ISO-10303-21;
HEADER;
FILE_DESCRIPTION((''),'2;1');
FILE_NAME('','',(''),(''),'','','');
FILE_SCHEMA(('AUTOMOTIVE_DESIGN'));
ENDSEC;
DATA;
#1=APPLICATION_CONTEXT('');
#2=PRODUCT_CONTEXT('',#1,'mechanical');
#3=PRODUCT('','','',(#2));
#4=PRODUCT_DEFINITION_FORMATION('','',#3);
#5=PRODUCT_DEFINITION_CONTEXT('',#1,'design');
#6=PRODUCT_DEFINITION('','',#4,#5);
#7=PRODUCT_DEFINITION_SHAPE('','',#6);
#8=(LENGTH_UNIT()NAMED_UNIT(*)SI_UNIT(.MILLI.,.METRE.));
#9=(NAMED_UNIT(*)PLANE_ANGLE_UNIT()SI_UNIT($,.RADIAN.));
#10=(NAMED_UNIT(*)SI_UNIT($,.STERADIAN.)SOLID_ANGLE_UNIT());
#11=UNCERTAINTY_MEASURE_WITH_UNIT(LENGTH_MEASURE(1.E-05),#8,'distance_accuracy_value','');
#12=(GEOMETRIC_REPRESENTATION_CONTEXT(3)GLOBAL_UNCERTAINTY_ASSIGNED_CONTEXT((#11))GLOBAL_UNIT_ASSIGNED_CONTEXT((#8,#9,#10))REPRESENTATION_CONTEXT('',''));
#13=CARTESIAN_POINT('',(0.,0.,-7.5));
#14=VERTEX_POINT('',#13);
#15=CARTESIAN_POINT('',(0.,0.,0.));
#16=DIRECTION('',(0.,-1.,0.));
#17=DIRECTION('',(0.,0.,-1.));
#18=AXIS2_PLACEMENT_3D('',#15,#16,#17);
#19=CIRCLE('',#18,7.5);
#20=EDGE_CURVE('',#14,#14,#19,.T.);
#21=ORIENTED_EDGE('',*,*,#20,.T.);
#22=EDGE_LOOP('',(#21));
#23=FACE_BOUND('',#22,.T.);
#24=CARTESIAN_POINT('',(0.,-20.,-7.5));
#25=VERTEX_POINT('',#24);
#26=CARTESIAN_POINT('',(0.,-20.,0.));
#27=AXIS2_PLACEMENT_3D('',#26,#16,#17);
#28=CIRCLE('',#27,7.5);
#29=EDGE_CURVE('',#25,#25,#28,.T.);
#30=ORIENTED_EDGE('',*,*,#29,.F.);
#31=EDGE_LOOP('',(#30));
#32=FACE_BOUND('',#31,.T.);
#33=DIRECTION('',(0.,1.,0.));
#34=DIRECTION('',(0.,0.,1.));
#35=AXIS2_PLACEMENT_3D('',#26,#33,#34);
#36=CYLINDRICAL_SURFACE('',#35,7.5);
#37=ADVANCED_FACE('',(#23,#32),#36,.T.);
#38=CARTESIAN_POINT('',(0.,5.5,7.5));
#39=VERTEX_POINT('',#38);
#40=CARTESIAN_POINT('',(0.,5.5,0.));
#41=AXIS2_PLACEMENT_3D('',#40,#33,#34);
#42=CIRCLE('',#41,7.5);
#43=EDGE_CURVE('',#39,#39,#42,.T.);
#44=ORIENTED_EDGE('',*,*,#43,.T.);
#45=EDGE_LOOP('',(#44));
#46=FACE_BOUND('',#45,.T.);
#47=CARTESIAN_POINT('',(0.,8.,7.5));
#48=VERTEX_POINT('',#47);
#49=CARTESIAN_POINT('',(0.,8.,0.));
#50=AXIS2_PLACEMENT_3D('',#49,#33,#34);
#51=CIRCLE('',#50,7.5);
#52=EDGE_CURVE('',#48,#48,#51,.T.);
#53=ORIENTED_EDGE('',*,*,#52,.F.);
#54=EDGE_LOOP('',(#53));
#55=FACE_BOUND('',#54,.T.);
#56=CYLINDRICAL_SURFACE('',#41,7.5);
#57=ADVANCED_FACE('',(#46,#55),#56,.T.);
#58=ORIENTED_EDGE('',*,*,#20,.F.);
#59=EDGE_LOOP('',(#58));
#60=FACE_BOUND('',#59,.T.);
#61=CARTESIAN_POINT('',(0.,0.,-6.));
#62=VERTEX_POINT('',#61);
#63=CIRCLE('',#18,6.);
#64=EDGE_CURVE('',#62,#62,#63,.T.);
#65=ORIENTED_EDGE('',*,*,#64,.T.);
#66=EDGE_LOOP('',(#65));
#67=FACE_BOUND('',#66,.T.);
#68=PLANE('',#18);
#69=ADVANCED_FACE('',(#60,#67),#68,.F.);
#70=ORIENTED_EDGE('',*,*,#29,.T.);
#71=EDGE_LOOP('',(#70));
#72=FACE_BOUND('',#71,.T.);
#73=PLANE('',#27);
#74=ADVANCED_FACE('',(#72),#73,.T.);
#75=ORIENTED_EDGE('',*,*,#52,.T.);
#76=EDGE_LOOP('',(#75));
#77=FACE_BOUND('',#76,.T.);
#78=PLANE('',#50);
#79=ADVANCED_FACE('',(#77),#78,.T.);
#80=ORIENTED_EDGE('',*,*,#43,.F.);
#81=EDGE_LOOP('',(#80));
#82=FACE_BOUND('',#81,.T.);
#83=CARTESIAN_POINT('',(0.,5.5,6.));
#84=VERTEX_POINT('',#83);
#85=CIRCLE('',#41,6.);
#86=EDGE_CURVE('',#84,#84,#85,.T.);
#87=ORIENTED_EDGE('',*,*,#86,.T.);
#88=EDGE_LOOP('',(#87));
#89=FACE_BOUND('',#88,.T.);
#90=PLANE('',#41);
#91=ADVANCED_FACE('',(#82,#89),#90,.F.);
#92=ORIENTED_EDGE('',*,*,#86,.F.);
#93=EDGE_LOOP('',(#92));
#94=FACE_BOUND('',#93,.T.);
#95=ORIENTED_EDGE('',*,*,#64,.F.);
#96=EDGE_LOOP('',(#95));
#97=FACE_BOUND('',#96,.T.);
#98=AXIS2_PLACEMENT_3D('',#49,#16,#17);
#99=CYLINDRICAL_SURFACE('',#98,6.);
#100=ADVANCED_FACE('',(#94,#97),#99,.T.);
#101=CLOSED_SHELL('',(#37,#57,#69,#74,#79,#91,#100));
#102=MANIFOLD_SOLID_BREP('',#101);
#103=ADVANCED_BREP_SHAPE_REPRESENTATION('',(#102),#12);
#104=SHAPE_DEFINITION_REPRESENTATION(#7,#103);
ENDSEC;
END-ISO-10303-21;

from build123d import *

# Parameters (mm, degrees)
SKETCH1_R           = 6
BOSS_EXTRUDE1_DEPTH = 8
SKETCH3_R           = 7.5
BOSS_EXTRUDE2_DEPTH = 20
SKETCH4_R           = 7.5
BOSS_EXTRUDE3_DEPTH = 2.5


with BuildPart() as part:
    # Sketch1 → Boss-Extrude1 (new body)
    with BuildSketch(Plane(origin=(0, 0, 0), x_dir=(1, 0, 0), z_dir=(0, 1, 0))):
        Circle(SKETCH1_R)
    extrude(amount=BOSS_EXTRUDE1_DEPTH)

    # Sketch3 → Boss-Extrude2 (add)
    with BuildSketch(Plane.XZ):
        Circle(SKETCH3_R)
    extrude(amount=BOSS_EXTRUDE2_DEPTH)

    # Sketch4 → Boss-Extrude3 (add)
    with BuildSketch(Plane(origin=(0, 8, 0), x_dir=(1, 0, 0), z_dir=(0, 1, 0))):
        Circle(SKETCH4_R)
    extrude(amount=-BOSS_EXTRUDE3_DEPTH)


solid = part.part
